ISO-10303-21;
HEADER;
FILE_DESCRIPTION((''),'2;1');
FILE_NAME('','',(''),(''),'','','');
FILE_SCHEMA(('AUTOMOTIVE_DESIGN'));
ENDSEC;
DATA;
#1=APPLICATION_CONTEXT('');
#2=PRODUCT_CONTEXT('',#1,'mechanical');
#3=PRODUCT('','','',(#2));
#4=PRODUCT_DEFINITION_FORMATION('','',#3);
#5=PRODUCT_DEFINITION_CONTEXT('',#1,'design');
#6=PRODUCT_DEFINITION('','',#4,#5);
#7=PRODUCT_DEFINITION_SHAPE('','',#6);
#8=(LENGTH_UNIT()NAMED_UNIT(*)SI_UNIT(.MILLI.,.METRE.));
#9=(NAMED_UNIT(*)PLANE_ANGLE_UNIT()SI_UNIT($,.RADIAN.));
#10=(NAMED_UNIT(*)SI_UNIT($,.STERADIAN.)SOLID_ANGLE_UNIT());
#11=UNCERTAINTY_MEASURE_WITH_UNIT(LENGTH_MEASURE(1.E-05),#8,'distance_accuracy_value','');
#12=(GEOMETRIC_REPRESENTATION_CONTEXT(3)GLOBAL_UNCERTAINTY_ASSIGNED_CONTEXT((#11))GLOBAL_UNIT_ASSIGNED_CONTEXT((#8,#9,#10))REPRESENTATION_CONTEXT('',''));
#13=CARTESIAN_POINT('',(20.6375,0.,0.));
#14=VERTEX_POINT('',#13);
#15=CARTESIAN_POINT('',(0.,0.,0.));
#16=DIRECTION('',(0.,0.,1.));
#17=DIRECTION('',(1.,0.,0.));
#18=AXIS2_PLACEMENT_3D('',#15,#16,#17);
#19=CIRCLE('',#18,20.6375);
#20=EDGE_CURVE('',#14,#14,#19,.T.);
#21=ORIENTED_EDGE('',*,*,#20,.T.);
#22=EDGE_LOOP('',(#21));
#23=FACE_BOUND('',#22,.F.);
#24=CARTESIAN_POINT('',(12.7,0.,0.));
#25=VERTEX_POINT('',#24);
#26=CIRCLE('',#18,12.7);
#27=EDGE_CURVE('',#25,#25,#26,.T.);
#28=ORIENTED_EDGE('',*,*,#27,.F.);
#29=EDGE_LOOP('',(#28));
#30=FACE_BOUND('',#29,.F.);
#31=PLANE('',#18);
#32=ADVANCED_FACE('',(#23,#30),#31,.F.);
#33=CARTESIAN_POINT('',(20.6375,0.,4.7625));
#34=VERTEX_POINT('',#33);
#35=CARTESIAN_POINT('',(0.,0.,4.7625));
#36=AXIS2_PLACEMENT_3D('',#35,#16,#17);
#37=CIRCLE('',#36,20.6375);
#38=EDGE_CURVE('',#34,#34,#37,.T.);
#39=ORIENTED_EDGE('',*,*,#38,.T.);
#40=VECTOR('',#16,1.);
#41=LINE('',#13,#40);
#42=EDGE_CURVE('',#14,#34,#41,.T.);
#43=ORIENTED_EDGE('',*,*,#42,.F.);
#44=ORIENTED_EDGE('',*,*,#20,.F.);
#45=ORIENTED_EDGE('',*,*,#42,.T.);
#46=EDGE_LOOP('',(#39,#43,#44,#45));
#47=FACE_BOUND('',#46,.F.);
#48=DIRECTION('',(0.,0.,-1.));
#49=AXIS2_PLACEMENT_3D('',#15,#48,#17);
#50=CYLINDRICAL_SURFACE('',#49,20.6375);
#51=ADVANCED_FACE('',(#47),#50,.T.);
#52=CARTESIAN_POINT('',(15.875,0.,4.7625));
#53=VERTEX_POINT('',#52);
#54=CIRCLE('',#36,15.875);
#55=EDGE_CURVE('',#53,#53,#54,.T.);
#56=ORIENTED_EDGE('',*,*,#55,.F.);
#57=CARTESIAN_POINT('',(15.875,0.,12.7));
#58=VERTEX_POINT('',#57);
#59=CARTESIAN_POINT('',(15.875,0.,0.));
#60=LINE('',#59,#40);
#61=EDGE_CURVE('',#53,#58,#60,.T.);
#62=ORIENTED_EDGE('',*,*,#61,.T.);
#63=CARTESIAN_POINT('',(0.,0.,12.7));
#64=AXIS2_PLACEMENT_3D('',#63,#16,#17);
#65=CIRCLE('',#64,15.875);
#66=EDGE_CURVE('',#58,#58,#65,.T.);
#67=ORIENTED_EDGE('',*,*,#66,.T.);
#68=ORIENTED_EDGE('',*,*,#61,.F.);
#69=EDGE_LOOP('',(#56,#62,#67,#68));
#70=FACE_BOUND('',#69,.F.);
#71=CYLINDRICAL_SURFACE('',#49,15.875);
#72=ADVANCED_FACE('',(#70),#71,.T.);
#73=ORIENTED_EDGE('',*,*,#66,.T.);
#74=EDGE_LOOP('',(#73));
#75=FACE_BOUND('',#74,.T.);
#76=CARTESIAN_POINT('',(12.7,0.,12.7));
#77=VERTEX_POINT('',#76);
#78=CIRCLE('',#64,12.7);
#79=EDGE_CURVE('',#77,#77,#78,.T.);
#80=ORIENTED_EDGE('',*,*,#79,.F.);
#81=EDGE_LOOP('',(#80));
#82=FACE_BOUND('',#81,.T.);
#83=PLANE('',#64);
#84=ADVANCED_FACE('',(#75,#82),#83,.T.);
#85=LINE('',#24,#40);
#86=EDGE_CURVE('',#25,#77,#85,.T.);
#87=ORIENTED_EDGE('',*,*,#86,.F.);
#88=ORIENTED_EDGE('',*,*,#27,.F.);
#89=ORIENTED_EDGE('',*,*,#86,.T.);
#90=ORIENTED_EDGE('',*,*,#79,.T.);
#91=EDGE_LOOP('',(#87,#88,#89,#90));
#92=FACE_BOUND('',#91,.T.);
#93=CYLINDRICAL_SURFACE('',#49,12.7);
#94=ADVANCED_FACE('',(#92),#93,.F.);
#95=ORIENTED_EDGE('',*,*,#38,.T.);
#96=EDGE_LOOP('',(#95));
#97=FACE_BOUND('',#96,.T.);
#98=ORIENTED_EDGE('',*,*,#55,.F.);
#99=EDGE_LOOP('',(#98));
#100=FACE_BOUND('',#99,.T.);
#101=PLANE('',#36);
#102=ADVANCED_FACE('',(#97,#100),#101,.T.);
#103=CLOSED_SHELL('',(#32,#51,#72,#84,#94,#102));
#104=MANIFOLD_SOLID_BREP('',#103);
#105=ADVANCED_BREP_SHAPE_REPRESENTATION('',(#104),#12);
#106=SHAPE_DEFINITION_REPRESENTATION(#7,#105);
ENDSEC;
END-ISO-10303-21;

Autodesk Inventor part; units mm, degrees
ref_plane "YZ Plane" through (0, 0, 0) normal (1, 0, 0) x (0, 1, 0)
ref_plane "XZ Plane" through (0, 0, 0) normal (0, 1, 0) x (-1, 0, 0)
ref_plane "XY Plane" through (0, 0, 0) normal (0, 0, 1) x (1, 0, 0)
sketch "Sketch1" plane through (0, 0, 0) normal (0, 0, 1) x (1, 0, 0)
  circle A0 centre (0, 0) radius 12.7
  circle A1 centre (0, 0) radius 15.875
  circle A2 centre (0, 0) radius 20.6375
  dimension "d0" = 25.4
  dimension "d1" = 31.75
  dimension "d2" = 41.275
extrude "Extrusion1" add sketch "Sketch1" along normal blind 12.7 contours A1
extrude "Extrusion2" add sketch "Sketch1" along normal blind 4.7625 contours A2
properties part number "collar bearing systom"
